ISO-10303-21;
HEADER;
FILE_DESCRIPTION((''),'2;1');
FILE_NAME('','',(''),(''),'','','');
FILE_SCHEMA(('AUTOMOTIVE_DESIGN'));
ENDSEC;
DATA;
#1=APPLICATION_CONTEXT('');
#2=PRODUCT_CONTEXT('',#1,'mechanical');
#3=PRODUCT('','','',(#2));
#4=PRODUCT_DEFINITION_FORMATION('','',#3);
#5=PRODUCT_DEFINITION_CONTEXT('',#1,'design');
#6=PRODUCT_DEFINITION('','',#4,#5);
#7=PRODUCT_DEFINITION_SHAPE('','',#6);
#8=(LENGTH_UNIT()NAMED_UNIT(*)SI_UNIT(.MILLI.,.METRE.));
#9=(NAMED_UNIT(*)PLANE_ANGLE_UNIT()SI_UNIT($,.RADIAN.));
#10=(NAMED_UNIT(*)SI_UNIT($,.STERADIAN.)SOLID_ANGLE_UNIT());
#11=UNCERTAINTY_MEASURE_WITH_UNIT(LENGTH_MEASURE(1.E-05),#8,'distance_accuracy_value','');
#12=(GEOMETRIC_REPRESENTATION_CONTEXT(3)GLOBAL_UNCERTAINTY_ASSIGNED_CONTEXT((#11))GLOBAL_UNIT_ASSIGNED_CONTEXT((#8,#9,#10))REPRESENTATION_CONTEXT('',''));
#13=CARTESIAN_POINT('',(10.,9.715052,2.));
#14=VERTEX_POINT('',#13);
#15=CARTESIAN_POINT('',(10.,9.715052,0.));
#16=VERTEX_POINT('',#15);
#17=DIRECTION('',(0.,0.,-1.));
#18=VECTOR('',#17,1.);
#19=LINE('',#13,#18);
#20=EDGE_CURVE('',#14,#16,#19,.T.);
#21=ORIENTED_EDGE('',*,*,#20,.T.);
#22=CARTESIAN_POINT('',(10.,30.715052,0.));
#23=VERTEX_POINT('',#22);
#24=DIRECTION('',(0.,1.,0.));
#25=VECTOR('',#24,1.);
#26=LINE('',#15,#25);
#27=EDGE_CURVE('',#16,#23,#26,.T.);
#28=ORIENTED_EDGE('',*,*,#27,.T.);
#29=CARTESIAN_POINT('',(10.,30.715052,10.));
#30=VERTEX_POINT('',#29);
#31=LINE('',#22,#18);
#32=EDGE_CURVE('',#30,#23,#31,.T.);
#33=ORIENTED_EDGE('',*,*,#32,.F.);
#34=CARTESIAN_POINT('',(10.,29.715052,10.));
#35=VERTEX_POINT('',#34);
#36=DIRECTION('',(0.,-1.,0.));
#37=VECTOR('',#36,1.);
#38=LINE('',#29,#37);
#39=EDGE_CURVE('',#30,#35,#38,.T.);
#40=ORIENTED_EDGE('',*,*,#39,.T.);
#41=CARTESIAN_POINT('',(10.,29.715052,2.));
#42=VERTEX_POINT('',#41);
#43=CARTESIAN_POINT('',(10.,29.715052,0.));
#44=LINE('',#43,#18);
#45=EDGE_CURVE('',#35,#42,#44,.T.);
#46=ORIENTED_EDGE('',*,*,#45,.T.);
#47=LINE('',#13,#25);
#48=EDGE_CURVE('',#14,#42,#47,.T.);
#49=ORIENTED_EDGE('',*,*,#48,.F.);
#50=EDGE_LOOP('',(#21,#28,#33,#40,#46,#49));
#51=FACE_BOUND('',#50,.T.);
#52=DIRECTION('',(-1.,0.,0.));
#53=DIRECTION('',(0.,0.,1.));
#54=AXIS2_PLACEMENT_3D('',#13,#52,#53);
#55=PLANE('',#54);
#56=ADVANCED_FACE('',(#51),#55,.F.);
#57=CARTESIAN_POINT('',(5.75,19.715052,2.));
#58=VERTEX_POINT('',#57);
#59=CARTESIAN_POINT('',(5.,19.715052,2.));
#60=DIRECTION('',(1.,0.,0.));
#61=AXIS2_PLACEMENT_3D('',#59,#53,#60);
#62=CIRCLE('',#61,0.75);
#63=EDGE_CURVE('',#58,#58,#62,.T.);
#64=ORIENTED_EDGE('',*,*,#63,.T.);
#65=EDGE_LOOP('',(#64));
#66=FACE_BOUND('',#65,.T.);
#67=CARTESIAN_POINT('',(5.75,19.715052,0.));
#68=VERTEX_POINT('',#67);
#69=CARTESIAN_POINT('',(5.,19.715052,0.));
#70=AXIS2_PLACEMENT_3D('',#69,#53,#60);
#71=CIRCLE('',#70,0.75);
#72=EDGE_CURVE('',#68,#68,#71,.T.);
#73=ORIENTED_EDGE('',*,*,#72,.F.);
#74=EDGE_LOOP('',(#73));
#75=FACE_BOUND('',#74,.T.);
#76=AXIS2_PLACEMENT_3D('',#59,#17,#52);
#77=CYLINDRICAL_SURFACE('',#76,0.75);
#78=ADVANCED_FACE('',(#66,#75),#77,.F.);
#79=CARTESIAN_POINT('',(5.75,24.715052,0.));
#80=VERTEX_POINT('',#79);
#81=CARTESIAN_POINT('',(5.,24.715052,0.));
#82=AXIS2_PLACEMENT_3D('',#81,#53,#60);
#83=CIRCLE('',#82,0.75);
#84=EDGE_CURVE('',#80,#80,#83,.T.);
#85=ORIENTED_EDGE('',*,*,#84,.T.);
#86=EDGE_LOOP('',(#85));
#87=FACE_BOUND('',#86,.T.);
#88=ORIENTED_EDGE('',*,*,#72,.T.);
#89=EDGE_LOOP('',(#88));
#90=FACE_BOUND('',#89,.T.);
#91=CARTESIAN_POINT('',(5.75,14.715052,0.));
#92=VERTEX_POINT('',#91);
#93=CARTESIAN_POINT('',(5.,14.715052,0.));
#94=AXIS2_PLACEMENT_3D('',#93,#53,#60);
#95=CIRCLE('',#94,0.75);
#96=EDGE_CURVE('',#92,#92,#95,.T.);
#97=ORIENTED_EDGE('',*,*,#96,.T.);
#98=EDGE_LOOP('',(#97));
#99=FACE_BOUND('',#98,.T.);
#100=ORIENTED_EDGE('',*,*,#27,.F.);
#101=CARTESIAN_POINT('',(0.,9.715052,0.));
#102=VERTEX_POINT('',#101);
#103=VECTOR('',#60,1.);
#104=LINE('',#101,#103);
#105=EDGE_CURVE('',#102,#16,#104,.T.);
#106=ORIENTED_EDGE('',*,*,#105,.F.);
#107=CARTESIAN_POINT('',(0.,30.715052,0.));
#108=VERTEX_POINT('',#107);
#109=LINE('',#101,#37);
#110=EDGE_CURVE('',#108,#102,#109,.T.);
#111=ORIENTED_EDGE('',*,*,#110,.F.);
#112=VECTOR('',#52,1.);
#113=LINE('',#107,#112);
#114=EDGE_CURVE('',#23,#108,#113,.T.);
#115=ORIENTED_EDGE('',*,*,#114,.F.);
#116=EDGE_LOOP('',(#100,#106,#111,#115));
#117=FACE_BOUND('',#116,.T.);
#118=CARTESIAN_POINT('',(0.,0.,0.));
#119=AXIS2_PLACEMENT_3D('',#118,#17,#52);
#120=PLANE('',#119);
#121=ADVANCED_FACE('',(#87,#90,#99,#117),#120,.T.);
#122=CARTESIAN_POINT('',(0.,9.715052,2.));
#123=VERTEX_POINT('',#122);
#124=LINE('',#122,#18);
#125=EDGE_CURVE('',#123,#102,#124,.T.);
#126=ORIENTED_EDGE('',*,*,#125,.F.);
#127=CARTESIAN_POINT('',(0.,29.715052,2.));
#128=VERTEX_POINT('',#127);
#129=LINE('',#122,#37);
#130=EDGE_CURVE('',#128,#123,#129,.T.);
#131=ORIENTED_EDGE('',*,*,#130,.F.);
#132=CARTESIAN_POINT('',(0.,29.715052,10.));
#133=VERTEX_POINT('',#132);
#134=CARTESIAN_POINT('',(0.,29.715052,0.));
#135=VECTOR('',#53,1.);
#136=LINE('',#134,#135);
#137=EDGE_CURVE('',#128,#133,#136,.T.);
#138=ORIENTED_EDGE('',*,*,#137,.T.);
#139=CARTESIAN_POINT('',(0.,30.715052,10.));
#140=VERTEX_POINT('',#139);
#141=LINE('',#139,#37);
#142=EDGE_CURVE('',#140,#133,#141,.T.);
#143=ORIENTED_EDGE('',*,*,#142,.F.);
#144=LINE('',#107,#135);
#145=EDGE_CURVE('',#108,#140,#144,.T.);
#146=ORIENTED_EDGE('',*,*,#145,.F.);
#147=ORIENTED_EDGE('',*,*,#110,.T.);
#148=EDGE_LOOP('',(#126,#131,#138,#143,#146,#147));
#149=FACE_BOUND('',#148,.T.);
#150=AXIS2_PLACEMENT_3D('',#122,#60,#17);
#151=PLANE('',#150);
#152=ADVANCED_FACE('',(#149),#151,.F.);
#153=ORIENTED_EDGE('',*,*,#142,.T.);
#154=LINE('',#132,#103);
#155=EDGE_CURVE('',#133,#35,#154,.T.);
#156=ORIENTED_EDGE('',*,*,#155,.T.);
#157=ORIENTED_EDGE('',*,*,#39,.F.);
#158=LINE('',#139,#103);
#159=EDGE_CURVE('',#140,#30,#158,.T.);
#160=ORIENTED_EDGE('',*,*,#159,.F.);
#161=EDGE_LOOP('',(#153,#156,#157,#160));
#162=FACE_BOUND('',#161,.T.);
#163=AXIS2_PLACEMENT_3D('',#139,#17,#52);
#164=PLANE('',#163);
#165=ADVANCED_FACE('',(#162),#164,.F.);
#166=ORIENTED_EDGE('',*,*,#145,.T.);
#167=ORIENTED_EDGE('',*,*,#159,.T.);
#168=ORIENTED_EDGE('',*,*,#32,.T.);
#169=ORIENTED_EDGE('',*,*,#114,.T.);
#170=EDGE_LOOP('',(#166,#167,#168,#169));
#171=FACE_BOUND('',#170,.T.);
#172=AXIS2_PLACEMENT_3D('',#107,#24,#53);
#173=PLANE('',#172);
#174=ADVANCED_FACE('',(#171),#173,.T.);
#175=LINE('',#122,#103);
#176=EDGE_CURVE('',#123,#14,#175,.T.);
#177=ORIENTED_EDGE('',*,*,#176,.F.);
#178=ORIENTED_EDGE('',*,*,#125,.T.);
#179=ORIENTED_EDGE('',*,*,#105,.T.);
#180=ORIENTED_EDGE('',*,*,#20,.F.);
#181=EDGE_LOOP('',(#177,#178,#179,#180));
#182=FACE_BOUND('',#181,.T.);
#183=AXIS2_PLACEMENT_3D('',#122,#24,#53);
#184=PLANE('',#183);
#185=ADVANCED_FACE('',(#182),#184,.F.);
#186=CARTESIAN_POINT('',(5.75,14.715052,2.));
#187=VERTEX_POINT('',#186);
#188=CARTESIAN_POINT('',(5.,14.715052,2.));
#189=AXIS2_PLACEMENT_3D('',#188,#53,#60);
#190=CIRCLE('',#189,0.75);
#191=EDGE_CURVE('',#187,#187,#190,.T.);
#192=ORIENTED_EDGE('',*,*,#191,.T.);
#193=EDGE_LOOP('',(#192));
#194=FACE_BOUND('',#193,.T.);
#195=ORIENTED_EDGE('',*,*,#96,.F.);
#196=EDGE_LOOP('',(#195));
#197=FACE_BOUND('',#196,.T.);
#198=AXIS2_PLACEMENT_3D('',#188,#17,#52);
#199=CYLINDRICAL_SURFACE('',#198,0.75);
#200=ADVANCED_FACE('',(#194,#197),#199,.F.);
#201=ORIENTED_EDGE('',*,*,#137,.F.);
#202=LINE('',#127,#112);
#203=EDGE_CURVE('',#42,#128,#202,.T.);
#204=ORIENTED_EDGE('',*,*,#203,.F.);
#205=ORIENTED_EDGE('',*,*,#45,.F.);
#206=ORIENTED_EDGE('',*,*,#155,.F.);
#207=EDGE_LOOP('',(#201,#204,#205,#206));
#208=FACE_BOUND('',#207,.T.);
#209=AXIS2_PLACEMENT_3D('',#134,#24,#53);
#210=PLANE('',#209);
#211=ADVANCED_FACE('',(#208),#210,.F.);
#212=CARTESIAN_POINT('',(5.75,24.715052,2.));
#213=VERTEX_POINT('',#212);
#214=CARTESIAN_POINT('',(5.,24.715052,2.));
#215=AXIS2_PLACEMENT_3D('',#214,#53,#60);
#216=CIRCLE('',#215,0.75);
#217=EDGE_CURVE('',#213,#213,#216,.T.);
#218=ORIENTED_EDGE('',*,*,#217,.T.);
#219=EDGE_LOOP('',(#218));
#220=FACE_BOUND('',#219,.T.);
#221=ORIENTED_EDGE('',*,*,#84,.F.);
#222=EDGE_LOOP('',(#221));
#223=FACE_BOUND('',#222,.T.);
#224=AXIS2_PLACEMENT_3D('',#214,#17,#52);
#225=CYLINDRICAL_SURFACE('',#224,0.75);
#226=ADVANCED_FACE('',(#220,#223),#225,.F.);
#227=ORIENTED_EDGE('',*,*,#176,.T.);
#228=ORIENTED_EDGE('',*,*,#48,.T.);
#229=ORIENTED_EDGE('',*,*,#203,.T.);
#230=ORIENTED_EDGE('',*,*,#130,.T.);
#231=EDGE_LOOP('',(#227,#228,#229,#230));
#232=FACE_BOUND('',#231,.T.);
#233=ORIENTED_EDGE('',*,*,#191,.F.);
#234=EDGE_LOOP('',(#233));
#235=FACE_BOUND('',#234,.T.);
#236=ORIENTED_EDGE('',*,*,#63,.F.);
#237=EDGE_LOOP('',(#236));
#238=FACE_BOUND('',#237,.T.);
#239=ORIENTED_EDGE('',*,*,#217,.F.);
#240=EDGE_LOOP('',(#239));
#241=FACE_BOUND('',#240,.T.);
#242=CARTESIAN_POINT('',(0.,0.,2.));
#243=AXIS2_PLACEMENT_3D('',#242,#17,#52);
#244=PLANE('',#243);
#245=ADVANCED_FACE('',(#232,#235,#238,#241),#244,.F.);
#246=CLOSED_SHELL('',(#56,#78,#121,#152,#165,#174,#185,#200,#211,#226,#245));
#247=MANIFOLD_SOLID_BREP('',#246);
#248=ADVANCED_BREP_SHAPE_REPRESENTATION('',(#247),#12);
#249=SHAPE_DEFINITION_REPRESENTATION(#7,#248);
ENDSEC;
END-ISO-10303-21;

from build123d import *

# Parameters (mm, degrees)
SKETCH1_W           = 10
SKETCH1_H           = 20
BOSS_EXTRUDE1_DEPTH = 2
SKETCH2_R           = 0.75
CUT_EXTRUDE2_DEPTH  = 2
SKETCH5_W           = 10
SKETCH5_H           = 10
BOSS_EXTRUDE2_DEPTH = 1


with BuildPart() as part:
    # Sketch1 → Boss-Extrude1 (new body)
    with BuildSketch(Plane.XY):
        with Locations((5, 19.715051701)):
            Rectangle(SKETCH1_W, SKETCH1_H)
    extrude(amount=BOSS_EXTRUDE1_DEPTH)

    # Sketch2 → Cut-Extrude2 (cut)
    with BuildSketch(Plane.XY):
        with Locations((5, 24.715051701)):
            Circle(SKETCH2_R)
        with Locations((5, 19.715051701)):
            Circle(SKETCH2_R)
        with Locations((5, 14.715051701)):
            Circle(SKETCH2_R)
    extrude(amount=CUT_EXTRUDE2_DEPTH, mode=Mode.SUBTRACT)

    # Sketch5 → Boss-Extrude2 (add)
    with BuildSketch(Plane(origin=(0, 29.715051701, 0), x_dir=(1, 0, 0), z_dir=(0, 1, 0))):
        with Locations((5, -5)):
            Rectangle(SKETCH5_W, SKETCH5_H)
    extrude(amount=BOSS_EXTRUDE2_DEPTH)


solid = part.part
